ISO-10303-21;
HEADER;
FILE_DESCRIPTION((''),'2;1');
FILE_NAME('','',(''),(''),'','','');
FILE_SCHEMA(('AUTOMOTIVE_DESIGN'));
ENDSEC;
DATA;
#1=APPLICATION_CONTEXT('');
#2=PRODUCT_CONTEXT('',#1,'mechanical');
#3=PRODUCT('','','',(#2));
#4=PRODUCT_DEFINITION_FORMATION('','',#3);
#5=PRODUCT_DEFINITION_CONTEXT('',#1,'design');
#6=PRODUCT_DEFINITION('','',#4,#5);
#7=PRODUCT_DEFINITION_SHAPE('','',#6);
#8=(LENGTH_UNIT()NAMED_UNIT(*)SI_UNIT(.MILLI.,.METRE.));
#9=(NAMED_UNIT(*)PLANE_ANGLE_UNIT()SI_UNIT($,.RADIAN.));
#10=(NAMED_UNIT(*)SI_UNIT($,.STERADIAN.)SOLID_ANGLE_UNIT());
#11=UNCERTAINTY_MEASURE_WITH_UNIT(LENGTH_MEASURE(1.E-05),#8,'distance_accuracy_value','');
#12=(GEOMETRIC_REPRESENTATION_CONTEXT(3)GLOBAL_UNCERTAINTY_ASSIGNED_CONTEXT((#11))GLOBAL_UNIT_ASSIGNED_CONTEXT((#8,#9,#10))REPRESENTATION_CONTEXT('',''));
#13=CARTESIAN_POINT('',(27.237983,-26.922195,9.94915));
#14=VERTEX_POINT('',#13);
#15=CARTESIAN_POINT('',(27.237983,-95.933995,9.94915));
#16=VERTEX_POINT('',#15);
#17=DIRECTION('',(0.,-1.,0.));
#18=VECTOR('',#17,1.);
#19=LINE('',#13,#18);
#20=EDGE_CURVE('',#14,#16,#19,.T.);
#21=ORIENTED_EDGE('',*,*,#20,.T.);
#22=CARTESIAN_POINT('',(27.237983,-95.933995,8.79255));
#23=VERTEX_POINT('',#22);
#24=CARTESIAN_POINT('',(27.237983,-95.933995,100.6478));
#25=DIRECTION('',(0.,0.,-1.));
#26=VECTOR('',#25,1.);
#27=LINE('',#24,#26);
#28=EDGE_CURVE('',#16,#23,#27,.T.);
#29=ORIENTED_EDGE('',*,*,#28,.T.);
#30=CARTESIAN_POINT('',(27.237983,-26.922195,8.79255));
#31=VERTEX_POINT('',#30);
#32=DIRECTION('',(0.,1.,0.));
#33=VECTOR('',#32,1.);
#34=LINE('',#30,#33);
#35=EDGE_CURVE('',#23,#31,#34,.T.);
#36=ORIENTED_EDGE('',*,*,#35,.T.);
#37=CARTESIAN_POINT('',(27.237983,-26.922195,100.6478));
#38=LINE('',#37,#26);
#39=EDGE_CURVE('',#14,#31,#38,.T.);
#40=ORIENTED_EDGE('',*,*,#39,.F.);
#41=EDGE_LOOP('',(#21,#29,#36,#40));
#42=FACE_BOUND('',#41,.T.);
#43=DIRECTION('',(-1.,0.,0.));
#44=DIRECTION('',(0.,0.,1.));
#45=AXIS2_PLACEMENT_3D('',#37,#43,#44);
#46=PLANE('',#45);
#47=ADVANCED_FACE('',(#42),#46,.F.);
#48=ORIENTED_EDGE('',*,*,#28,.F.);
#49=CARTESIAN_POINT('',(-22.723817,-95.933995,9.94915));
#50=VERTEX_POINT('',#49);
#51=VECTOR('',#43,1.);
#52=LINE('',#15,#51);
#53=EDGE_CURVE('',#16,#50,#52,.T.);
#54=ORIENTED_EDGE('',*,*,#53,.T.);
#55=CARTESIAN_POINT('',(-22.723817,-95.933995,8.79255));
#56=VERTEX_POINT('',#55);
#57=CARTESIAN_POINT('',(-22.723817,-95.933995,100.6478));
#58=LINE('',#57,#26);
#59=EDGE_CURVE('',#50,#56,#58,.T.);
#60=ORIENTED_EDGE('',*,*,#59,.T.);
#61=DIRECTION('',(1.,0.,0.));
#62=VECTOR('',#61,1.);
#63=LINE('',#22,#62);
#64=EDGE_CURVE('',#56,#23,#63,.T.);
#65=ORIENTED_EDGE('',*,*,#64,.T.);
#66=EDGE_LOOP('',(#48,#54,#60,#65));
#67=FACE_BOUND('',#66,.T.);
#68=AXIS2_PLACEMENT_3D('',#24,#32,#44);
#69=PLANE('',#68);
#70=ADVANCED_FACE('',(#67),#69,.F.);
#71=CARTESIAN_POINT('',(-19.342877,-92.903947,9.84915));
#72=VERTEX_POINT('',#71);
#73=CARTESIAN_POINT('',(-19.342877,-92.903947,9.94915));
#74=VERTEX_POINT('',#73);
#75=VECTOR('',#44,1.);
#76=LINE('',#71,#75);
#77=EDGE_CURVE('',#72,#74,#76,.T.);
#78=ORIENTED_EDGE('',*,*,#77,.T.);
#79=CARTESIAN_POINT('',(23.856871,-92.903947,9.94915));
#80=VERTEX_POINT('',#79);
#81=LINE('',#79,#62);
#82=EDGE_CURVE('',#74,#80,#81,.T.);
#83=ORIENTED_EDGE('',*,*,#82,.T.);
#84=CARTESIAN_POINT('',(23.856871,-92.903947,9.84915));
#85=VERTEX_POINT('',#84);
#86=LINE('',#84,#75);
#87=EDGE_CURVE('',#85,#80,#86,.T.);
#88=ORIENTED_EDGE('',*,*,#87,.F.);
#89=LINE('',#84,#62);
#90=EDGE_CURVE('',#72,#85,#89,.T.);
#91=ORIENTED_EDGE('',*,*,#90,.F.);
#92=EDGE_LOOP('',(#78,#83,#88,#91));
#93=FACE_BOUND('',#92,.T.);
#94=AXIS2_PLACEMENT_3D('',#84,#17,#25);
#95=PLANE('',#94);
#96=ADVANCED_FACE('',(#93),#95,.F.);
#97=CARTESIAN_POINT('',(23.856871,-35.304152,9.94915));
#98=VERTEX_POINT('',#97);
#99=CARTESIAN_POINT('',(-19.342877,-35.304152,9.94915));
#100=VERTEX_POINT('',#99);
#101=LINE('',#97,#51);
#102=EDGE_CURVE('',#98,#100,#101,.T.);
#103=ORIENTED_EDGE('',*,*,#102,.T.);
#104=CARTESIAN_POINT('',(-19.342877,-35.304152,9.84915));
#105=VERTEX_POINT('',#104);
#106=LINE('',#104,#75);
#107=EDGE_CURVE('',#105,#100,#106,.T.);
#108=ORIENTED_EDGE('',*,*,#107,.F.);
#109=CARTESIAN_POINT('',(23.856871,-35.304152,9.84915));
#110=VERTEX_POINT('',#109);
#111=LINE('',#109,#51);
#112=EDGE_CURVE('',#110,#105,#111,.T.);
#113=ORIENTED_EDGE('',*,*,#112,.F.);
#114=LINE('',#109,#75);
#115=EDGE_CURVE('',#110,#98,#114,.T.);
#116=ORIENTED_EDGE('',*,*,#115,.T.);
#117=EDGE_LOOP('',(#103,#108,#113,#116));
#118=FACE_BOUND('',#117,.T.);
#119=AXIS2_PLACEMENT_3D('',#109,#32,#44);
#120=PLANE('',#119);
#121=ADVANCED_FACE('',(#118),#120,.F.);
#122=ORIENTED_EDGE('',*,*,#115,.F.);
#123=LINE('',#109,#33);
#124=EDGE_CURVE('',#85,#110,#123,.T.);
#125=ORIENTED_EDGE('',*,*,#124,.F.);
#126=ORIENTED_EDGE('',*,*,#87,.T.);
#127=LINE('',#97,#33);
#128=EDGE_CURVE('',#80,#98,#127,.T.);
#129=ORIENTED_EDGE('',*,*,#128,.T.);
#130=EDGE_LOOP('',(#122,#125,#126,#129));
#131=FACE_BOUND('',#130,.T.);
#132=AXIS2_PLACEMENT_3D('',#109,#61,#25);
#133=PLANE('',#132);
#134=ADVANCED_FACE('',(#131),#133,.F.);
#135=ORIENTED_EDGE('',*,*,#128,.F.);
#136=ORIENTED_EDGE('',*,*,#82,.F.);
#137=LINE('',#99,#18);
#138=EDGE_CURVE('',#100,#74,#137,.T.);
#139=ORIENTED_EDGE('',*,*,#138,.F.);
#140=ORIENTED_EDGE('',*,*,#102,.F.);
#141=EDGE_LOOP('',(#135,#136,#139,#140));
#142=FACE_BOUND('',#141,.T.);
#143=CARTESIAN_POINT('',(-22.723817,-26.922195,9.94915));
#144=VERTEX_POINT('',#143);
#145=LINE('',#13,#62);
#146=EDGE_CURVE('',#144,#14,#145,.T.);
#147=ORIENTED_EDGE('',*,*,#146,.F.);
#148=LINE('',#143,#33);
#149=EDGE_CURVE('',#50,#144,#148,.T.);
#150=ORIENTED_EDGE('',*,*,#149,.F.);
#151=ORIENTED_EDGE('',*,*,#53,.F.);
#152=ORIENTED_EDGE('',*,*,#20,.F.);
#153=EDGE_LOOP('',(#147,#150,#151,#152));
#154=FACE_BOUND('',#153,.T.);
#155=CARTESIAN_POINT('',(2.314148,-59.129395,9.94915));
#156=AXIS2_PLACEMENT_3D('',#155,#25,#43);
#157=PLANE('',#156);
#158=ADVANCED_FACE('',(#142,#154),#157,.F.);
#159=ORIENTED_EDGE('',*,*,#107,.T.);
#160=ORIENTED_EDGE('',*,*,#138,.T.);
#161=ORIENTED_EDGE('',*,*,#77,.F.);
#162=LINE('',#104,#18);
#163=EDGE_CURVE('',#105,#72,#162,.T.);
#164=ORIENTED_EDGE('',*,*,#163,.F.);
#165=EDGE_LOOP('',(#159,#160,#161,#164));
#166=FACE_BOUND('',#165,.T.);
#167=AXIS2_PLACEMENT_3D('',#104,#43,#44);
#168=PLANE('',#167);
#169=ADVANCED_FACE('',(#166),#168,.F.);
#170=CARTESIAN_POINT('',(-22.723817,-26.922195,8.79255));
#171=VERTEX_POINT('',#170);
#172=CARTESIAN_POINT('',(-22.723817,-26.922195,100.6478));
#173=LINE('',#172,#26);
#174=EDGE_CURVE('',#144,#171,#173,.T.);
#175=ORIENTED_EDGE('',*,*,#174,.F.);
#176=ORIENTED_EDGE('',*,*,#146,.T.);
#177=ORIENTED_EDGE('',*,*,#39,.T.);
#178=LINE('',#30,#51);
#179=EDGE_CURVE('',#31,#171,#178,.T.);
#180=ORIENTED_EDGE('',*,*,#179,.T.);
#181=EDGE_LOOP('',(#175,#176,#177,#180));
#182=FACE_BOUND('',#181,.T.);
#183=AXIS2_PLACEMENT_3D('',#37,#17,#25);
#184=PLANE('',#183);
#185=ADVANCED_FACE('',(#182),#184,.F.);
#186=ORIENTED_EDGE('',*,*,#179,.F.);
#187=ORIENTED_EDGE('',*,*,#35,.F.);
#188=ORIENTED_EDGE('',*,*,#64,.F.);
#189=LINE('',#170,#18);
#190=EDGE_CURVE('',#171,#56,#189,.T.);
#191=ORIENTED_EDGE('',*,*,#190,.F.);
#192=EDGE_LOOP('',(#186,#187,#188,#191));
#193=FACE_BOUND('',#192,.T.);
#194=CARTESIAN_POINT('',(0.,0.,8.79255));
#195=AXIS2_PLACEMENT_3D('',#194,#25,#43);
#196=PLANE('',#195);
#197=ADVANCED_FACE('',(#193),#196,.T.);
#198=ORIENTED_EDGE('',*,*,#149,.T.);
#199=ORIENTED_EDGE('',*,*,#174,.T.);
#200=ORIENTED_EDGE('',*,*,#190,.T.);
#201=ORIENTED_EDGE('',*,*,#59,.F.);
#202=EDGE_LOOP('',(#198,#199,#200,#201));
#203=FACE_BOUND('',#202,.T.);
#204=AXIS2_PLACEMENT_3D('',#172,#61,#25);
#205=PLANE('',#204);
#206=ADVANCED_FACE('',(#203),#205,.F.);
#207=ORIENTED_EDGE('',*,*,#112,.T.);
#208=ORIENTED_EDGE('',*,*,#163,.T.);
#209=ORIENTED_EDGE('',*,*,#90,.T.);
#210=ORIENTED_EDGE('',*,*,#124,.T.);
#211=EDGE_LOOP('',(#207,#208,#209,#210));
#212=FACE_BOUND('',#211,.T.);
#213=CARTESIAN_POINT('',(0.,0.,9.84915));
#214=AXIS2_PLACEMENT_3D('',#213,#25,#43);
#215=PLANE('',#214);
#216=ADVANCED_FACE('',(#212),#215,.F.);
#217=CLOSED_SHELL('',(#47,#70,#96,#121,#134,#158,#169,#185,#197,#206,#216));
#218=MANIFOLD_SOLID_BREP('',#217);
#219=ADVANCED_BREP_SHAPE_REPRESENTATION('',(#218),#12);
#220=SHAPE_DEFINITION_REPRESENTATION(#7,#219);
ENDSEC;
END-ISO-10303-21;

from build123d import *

# Parameters (mm, degrees)
SKETCH1_W           = 49.9618
SKETCH1_H           = 69.0118
BOSS_EXTRUDE1_DEPTH = 1.1566
SKETCH3_W           = 43.199747393
SKETCH3_H           = 57.599795215
CUT_EXTRUDE1_DEPTH  = 0.1


with BuildPart() as part:
    # Sketch1 → Boss-Extrude1 (new body)
    with BuildSketch(Plane.XY.offset(8.79254995)):
        with Locations((2.257083431, -61.428094771)):
            Rectangle(SKETCH1_W, SKETCH1_H)
    extrude(amount=BOSS_EXTRUDE1_DEPTH)

    # Sketch3 → Cut-Extrude1 (cut)
    with BuildSketch(Plane.XY.offset(9.94914995)):
        with Locations((2.256996925, -64.104049821)):
            Rectangle(SKETCH3_W, SKETCH3_H)
    extrude(amount=-CUT_EXTRUDE1_DEPTH, mode=Mode.SUBTRACT)


solid = part.part
